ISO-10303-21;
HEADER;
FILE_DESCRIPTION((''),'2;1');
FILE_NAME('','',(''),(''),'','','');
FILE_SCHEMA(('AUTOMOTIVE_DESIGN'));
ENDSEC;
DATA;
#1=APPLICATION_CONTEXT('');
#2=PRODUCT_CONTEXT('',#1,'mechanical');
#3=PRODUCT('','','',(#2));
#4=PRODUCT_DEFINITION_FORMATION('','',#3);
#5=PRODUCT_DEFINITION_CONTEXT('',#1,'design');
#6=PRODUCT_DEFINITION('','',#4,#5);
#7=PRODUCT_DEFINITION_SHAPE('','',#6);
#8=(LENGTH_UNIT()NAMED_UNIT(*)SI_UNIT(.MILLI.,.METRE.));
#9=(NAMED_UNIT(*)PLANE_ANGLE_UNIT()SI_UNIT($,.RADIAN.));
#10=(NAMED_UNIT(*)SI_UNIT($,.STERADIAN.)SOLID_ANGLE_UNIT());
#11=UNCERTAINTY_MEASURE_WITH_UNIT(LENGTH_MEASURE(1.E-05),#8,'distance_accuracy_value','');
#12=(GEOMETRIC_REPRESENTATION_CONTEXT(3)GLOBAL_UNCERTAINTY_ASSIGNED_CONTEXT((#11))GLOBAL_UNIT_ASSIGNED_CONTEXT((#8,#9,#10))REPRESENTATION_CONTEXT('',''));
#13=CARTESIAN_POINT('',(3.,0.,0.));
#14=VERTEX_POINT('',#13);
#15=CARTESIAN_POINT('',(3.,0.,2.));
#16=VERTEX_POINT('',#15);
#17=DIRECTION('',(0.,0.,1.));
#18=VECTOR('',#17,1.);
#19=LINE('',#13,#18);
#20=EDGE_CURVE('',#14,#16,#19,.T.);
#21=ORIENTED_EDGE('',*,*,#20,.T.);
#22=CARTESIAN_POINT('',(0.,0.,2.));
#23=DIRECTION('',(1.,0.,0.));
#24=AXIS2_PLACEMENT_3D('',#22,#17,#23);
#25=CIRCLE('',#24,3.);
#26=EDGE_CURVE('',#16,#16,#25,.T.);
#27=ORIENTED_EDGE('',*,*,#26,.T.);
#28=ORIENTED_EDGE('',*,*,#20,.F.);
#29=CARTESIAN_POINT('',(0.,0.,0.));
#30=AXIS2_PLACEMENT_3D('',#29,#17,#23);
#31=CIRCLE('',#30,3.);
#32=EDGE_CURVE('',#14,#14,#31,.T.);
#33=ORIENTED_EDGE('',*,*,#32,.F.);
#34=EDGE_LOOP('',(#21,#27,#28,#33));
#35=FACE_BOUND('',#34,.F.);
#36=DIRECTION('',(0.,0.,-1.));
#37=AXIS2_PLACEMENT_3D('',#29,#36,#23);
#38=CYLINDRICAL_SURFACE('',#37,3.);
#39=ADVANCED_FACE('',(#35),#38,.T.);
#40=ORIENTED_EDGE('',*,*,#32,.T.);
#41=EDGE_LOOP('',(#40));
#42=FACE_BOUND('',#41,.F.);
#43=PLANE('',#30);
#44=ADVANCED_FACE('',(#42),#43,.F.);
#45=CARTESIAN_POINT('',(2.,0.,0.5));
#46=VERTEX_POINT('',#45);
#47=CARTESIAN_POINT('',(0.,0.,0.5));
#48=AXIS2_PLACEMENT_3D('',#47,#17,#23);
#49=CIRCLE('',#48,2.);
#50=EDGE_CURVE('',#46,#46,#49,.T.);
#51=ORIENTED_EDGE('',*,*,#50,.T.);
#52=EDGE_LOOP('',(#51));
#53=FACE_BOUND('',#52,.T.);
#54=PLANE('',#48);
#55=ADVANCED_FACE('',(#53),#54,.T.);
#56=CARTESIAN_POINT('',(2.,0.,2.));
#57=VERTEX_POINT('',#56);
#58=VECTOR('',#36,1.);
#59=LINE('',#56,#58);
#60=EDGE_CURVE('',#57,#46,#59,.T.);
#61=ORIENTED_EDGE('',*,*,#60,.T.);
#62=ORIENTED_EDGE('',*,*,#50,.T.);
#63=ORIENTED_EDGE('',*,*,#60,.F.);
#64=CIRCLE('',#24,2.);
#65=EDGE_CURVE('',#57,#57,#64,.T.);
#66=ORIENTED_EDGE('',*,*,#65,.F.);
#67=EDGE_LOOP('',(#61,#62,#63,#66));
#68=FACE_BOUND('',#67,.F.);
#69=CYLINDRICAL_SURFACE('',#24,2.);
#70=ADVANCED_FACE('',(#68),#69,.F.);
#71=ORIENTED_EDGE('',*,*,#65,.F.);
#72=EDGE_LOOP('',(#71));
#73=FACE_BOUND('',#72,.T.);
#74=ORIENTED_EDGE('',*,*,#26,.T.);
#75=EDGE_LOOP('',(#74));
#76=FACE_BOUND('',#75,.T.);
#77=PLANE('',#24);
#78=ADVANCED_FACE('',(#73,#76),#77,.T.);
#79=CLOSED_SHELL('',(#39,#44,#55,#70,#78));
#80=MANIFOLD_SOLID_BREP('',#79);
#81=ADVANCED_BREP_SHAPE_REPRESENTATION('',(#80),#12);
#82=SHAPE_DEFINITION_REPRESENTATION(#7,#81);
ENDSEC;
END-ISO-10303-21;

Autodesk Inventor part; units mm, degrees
ref_plane "YZ Plane" through (0, 0, 0) normal (1, 0, 0) x (0, 1, 0)
ref_plane "XZ Plane" through (0, 0, 0) normal (0, 1, 0) x (-1, 0, 0)
ref_plane "XY Plane" through (0, 0, 0) normal (0, 0, 1) x (1, 0, 0)
sketch "Sketch1" plane through (0, 0, 0) normal (0, 0, 1) x (1, 0, 0)
  circle A0 centre (0, 0) radius 3
extrude "Extrusion1" add sketch "Sketch1" along normal blind 2
sketch "Sketch2" plane through (0, 0, 2) normal (0, 0, 1) x (1, 0, 0)
  circle A0 centre (0, 0) radius 2
extrude "Extrusion2" cut sketch "Sketch2" against normal blind 1.5
properties part number "Screw cap"
